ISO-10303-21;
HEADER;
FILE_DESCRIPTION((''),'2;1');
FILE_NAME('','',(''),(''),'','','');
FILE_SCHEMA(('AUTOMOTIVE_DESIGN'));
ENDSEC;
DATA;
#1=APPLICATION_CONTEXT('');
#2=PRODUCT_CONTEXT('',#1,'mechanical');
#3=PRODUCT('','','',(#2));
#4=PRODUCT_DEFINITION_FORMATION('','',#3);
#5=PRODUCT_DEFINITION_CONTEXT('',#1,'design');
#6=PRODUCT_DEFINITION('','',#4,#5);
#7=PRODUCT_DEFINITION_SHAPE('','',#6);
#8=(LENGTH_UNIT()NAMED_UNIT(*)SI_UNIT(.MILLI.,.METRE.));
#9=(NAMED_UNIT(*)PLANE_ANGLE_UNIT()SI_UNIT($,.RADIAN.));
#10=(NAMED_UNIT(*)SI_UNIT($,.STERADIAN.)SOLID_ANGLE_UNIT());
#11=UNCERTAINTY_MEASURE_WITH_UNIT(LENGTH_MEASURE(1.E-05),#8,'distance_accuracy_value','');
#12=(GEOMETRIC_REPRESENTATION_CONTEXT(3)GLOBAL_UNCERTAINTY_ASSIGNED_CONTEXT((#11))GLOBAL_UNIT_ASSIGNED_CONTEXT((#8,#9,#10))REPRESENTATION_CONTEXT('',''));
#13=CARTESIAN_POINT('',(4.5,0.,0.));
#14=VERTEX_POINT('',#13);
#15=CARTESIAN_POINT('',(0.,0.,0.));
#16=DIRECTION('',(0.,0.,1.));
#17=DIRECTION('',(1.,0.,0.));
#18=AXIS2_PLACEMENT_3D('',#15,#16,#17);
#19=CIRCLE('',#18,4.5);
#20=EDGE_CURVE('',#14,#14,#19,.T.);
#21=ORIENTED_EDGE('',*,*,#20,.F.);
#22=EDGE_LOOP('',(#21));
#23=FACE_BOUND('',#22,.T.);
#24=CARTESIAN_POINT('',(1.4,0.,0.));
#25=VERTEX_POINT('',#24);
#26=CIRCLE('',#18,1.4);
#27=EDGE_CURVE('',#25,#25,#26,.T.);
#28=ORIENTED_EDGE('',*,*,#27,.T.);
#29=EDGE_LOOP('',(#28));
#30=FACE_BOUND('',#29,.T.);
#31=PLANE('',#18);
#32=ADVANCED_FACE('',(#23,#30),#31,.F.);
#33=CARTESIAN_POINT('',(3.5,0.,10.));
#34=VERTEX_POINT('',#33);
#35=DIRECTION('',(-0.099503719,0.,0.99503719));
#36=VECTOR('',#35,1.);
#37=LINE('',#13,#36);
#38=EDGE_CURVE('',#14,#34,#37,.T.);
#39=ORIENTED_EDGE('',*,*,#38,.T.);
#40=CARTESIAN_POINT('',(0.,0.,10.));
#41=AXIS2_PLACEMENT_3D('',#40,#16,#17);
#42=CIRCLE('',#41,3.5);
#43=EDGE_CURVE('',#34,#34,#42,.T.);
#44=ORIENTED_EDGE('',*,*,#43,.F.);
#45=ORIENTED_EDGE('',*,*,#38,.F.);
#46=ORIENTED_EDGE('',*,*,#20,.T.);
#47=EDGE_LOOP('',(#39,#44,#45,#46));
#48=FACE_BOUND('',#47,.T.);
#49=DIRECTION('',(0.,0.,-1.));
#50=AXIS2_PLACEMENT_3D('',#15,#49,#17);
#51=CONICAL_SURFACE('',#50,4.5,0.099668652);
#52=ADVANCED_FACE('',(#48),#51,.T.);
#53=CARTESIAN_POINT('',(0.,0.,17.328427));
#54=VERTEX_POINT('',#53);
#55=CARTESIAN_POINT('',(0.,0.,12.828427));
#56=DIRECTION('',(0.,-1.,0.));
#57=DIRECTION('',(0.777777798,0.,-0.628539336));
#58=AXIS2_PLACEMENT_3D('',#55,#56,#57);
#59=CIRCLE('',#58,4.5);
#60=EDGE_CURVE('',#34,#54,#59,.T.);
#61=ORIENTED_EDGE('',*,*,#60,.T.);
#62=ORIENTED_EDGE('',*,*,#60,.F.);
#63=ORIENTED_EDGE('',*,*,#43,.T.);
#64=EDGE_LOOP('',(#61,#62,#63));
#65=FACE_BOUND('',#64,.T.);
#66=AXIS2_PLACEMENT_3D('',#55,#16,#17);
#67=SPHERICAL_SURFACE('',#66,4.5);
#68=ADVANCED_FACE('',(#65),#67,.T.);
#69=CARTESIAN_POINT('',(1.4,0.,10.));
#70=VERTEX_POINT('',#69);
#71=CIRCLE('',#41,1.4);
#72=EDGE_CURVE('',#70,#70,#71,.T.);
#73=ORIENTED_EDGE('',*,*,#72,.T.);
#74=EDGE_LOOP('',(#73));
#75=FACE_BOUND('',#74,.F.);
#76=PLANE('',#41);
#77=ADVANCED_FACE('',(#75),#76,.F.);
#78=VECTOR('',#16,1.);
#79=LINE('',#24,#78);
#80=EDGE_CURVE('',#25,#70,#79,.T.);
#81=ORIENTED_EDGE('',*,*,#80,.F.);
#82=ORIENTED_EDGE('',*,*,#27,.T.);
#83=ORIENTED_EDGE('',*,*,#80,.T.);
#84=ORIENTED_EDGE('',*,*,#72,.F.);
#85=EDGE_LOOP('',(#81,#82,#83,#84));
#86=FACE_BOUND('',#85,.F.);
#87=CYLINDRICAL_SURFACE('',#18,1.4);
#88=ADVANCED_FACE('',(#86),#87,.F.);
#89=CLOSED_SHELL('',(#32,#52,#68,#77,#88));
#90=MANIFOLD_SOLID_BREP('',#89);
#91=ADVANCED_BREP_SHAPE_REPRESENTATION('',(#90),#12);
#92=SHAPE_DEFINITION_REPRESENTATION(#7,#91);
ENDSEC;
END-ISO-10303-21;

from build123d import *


with BuildPart() as part:
    # Sketch → Revolution (revolve)
    with BuildSketch(Plane.XZ):
        with BuildLine():
            Line((1.4, 0), (4.5, 0))
            Line((4.5, 0), (3.5, 10))
            ThreePointArc((3.5, 10), (4.06066, 14.767767), (0, 17.328427))
            Line((0, 10), (0, 17.328427))
            Line((1.4, 10), (0, 10))
            Line((1.4, 0), (1.4, 10))
        make_face()
    revolve(axis=Axis((0, 0, 0), (0, 0, 1)))


solid = part.part
